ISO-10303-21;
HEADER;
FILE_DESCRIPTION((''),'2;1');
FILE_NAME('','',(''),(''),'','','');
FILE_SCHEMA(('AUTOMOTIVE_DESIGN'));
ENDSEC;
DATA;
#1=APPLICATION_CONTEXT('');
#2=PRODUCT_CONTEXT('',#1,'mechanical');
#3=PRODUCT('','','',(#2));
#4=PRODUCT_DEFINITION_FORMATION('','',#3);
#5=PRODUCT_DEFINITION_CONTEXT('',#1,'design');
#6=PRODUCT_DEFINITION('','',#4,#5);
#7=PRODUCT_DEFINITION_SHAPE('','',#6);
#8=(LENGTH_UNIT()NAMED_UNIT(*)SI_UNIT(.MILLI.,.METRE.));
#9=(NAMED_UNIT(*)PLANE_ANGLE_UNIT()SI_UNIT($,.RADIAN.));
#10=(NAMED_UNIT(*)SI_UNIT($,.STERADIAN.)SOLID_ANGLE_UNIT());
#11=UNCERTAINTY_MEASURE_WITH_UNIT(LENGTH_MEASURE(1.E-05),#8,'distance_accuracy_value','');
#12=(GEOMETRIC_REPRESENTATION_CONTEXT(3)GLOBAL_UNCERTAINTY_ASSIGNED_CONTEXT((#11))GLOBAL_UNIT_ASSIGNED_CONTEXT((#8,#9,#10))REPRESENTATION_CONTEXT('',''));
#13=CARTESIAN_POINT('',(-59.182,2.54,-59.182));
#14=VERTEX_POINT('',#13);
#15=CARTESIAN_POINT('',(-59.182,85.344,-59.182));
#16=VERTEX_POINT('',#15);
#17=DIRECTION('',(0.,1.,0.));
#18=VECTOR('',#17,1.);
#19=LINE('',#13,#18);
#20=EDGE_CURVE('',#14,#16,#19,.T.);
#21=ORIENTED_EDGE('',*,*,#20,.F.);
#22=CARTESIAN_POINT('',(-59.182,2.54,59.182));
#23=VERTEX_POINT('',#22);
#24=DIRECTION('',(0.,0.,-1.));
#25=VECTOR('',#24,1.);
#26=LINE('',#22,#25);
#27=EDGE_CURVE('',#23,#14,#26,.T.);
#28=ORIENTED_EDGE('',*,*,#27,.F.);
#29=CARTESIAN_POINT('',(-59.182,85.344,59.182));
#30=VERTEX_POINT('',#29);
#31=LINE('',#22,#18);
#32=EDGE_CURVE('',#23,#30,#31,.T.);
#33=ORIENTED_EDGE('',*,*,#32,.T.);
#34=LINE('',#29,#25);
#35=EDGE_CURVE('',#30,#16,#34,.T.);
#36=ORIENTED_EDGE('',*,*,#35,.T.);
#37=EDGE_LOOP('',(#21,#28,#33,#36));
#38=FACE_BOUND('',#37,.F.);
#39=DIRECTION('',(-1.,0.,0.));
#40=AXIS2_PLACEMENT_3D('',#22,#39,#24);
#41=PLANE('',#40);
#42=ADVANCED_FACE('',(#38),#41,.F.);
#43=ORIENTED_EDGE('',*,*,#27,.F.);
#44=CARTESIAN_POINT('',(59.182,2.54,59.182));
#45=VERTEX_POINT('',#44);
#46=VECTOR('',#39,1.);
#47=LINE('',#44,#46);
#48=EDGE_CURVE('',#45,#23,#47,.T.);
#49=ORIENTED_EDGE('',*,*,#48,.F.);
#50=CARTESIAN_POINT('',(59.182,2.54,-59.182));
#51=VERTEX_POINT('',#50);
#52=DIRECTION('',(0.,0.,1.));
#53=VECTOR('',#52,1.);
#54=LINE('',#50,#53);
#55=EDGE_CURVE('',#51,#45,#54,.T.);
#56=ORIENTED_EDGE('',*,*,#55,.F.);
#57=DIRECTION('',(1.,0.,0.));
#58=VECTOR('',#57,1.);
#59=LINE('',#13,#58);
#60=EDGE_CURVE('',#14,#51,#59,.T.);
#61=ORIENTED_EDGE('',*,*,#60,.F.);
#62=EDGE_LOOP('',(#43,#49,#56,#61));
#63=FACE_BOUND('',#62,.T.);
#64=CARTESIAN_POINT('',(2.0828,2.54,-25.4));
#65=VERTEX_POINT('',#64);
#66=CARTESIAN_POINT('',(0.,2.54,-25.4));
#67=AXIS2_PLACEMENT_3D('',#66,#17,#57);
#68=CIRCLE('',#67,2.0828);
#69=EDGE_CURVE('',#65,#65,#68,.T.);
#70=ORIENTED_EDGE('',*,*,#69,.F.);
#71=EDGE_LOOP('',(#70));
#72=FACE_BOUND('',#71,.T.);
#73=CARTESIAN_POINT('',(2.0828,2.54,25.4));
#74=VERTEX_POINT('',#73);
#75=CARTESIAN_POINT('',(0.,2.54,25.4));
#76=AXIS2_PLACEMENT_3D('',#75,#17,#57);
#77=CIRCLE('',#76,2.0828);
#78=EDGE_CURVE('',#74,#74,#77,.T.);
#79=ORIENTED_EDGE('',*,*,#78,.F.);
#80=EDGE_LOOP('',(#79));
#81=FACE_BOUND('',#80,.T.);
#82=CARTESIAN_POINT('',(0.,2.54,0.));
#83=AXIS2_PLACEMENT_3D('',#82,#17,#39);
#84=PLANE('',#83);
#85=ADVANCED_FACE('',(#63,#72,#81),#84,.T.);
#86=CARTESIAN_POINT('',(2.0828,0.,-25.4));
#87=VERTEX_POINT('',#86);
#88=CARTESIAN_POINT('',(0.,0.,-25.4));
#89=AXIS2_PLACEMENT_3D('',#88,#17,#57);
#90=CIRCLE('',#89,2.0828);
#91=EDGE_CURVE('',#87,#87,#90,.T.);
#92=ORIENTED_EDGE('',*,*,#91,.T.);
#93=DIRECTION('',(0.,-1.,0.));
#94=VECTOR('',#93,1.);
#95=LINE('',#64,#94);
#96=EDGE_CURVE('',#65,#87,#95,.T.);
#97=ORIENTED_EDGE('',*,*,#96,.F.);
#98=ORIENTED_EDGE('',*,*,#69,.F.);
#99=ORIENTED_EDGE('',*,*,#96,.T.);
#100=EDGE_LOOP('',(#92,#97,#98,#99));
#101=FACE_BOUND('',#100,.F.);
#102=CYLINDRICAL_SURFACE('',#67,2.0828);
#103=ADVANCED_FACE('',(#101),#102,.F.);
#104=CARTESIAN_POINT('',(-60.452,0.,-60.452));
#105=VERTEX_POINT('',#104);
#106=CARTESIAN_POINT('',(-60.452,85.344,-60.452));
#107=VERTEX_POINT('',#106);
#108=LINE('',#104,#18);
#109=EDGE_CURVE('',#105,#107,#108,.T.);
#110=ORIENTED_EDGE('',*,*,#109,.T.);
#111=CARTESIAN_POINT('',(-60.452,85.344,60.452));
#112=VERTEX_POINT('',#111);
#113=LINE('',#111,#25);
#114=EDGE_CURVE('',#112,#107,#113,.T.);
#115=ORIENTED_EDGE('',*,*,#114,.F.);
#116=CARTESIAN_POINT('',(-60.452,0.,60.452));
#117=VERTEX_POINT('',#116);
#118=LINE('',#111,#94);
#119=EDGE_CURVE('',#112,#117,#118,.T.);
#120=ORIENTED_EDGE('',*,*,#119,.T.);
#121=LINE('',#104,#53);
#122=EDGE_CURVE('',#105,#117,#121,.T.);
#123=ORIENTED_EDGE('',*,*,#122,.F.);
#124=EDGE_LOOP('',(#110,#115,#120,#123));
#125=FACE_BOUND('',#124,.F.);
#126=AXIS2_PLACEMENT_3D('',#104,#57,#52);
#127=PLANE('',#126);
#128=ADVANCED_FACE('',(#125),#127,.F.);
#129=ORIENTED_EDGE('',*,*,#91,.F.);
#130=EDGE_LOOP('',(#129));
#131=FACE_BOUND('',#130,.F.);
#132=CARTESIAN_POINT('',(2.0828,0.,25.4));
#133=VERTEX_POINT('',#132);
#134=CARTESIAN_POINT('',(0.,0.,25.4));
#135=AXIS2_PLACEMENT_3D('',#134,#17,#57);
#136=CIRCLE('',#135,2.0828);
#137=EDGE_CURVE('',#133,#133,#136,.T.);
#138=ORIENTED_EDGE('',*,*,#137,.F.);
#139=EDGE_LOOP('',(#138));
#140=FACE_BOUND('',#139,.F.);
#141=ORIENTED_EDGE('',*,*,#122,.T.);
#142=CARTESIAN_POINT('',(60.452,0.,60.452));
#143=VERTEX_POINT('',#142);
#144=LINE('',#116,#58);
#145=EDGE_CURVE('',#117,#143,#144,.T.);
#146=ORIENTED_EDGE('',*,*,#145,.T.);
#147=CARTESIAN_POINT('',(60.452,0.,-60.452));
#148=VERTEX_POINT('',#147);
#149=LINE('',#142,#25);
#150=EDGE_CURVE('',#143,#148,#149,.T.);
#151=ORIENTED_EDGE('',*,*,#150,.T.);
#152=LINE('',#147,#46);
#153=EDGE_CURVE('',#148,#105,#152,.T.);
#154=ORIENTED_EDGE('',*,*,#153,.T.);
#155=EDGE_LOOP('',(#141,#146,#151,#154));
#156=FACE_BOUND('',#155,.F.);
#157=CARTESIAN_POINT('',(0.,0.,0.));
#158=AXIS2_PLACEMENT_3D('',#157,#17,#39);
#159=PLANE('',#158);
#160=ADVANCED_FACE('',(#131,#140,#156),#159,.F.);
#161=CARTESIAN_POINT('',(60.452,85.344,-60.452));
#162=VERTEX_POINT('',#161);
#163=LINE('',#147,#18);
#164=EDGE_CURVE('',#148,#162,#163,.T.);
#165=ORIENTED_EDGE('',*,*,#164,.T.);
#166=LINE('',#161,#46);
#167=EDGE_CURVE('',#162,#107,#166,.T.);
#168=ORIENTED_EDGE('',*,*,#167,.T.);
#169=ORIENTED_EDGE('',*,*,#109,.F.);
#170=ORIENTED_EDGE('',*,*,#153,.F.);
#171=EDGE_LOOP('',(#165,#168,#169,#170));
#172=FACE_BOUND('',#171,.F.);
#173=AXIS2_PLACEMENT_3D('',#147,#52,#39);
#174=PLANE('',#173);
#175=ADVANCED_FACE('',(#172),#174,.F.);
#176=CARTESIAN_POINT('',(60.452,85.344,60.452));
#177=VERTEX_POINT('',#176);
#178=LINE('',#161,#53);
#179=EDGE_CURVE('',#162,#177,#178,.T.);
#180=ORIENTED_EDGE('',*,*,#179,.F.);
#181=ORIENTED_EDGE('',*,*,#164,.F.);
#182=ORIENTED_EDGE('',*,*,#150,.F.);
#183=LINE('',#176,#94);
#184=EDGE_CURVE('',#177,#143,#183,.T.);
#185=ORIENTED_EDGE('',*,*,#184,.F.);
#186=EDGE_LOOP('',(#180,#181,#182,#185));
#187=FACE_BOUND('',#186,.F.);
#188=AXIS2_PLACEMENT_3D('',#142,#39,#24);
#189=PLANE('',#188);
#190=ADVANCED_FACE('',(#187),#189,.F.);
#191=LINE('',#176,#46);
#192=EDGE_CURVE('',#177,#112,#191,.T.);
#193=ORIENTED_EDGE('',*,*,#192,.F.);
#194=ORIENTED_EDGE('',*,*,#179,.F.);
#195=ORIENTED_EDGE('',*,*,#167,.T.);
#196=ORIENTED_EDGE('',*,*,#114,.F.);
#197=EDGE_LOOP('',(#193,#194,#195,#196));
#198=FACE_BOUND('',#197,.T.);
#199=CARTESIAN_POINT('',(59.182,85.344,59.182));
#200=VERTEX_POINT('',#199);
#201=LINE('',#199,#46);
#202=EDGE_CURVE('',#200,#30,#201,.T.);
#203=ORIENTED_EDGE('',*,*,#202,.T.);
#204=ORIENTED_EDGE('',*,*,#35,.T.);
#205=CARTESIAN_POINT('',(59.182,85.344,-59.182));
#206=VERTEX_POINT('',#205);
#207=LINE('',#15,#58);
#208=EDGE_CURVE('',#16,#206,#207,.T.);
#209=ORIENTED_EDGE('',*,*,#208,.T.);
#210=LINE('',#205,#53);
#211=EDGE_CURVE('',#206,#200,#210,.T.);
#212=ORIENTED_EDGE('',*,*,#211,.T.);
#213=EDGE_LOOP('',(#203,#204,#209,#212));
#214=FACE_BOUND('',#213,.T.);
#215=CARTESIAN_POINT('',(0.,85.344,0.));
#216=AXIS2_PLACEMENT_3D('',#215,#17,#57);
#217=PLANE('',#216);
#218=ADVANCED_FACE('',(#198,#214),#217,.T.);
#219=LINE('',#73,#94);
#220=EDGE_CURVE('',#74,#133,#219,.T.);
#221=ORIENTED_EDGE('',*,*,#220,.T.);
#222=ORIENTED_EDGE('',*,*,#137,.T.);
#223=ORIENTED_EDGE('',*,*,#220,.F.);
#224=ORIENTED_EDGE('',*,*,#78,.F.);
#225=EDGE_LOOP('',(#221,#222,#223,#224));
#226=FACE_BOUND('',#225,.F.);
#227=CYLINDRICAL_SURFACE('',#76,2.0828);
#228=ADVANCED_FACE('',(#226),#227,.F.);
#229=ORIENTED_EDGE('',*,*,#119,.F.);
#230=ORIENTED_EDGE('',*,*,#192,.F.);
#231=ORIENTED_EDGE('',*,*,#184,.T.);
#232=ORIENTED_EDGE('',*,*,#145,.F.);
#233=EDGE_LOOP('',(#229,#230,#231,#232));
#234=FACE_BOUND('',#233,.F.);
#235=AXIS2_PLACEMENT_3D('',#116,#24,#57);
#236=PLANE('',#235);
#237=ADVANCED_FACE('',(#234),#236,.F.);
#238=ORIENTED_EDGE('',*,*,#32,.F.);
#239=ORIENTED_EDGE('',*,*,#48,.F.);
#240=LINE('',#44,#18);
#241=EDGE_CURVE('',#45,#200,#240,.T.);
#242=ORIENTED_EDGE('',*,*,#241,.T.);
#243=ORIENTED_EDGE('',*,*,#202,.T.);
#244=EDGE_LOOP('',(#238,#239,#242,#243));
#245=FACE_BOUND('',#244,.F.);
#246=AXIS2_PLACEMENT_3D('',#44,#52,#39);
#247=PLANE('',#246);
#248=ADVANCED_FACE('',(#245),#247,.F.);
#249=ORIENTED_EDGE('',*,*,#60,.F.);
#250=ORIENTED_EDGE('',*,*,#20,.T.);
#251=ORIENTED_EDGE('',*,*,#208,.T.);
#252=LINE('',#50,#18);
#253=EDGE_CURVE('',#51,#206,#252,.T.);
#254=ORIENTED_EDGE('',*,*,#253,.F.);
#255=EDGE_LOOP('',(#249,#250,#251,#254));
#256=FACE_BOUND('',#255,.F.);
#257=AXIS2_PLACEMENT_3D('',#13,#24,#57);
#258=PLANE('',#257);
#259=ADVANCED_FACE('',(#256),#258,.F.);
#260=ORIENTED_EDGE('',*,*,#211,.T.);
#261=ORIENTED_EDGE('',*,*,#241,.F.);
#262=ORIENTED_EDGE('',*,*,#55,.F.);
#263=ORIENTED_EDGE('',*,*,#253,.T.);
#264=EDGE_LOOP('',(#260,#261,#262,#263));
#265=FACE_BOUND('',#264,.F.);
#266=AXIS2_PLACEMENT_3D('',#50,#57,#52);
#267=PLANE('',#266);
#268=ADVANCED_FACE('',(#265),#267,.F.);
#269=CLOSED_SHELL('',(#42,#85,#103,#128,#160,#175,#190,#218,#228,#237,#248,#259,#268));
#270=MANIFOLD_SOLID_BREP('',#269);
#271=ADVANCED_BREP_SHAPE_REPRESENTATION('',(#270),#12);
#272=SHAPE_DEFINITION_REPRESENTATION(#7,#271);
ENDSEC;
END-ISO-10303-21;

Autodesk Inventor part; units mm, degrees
ref_plane "YZ Plane" through (0, 0, 0) normal (1, 0, 0) x (0, 1, 0)
ref_plane "XZ Plane" through (0, 0, 0) normal (0, 1, 0) x (-1, 0, 0)
ref_plane "XY Plane" through (0, 0, 0) normal (0, 0, 1) x (1, 0, 0)
sketch "Sketch1" plane through (0, 0, 0) normal (0, 1, 0) x (-1, 0, 0)
  line L0 (-60.452, -60.452) -> (60.452, -60.452)
  line L1 (60.452, -60.452) -> (60.452, 60.452)
  line L2 (60.452, 60.452) -> (-60.452, 60.452)
  line L3 (-60.452, 60.452) -> (-60.452, -60.452)
  line L4 (-60.452, -60.452) -> (60.452, 60.452) construction
  line L5 (60.452, -60.452) -> (-60.452, 60.452) construction
  point P0 (0, 0)
  dimension "d0" = 120.904
  dimension "d1" = 120.904
extrude "Extrusion1" add sketch "Sketch1" along normal blind 2.54
sketch "Sketch2" plane through (0, 2.54, 0) normal (0, 1, 0) x (1, 0, 0)
  line L0 (60.452, 60.452) -> (-60.452, 60.452) projected
  line L1 (60.452, -60.452) -> (-60.452, -60.452)
  line L2 (-60.452, -60.452) -> (-60.452, 60.452)
  line L3 (-60.452, 60.452) -> (60.452, 60.452)
  line L4 (60.452, 60.452) -> (60.452, -60.452)
  line L5 (60.452, -60.452) -> (-60.452, 60.452) construction
  line L6 (-60.452, -60.452) -> (60.452, 60.452) construction
  line L7 (59.182, -59.182) -> (-59.182, -59.182)
  line L8 (-59.182, -59.182) -> (-59.182, 59.182)
  line L9 (-59.182, 59.182) -> (59.182, 59.182)
  line L10 (59.182, 59.182) -> (59.182, -59.182)
  line L11 (59.182, -59.182) -> (-59.182, 59.182) construction
  line L12 (-59.182, -59.182) -> (59.182, 59.182) construction
  point P0 (0, 0)
  dimension "d4" = 118.364
  dimension "d5" = 118.364
extrude "Extrusion2" add sketch "Sketch2" along normal blind 82.804
sketch "Sketch3" plane through (0, 2.54, 0) normal (0, 1, 0) x (1, 0, 0)
  circle A0 centre (0, -25.4) radius 2.0828
  circle A1 centre (0, 25.4) radius 2.0828
  point P0 (0, 0)
  dimension "d10" = 4.1656
  dimension "d11" = 4.1656
extrude "Extrusion3" cut sketch "Sketch3" against normal through all
properties part number "546-1550Z137-4.8x4.8-Enclosure"
